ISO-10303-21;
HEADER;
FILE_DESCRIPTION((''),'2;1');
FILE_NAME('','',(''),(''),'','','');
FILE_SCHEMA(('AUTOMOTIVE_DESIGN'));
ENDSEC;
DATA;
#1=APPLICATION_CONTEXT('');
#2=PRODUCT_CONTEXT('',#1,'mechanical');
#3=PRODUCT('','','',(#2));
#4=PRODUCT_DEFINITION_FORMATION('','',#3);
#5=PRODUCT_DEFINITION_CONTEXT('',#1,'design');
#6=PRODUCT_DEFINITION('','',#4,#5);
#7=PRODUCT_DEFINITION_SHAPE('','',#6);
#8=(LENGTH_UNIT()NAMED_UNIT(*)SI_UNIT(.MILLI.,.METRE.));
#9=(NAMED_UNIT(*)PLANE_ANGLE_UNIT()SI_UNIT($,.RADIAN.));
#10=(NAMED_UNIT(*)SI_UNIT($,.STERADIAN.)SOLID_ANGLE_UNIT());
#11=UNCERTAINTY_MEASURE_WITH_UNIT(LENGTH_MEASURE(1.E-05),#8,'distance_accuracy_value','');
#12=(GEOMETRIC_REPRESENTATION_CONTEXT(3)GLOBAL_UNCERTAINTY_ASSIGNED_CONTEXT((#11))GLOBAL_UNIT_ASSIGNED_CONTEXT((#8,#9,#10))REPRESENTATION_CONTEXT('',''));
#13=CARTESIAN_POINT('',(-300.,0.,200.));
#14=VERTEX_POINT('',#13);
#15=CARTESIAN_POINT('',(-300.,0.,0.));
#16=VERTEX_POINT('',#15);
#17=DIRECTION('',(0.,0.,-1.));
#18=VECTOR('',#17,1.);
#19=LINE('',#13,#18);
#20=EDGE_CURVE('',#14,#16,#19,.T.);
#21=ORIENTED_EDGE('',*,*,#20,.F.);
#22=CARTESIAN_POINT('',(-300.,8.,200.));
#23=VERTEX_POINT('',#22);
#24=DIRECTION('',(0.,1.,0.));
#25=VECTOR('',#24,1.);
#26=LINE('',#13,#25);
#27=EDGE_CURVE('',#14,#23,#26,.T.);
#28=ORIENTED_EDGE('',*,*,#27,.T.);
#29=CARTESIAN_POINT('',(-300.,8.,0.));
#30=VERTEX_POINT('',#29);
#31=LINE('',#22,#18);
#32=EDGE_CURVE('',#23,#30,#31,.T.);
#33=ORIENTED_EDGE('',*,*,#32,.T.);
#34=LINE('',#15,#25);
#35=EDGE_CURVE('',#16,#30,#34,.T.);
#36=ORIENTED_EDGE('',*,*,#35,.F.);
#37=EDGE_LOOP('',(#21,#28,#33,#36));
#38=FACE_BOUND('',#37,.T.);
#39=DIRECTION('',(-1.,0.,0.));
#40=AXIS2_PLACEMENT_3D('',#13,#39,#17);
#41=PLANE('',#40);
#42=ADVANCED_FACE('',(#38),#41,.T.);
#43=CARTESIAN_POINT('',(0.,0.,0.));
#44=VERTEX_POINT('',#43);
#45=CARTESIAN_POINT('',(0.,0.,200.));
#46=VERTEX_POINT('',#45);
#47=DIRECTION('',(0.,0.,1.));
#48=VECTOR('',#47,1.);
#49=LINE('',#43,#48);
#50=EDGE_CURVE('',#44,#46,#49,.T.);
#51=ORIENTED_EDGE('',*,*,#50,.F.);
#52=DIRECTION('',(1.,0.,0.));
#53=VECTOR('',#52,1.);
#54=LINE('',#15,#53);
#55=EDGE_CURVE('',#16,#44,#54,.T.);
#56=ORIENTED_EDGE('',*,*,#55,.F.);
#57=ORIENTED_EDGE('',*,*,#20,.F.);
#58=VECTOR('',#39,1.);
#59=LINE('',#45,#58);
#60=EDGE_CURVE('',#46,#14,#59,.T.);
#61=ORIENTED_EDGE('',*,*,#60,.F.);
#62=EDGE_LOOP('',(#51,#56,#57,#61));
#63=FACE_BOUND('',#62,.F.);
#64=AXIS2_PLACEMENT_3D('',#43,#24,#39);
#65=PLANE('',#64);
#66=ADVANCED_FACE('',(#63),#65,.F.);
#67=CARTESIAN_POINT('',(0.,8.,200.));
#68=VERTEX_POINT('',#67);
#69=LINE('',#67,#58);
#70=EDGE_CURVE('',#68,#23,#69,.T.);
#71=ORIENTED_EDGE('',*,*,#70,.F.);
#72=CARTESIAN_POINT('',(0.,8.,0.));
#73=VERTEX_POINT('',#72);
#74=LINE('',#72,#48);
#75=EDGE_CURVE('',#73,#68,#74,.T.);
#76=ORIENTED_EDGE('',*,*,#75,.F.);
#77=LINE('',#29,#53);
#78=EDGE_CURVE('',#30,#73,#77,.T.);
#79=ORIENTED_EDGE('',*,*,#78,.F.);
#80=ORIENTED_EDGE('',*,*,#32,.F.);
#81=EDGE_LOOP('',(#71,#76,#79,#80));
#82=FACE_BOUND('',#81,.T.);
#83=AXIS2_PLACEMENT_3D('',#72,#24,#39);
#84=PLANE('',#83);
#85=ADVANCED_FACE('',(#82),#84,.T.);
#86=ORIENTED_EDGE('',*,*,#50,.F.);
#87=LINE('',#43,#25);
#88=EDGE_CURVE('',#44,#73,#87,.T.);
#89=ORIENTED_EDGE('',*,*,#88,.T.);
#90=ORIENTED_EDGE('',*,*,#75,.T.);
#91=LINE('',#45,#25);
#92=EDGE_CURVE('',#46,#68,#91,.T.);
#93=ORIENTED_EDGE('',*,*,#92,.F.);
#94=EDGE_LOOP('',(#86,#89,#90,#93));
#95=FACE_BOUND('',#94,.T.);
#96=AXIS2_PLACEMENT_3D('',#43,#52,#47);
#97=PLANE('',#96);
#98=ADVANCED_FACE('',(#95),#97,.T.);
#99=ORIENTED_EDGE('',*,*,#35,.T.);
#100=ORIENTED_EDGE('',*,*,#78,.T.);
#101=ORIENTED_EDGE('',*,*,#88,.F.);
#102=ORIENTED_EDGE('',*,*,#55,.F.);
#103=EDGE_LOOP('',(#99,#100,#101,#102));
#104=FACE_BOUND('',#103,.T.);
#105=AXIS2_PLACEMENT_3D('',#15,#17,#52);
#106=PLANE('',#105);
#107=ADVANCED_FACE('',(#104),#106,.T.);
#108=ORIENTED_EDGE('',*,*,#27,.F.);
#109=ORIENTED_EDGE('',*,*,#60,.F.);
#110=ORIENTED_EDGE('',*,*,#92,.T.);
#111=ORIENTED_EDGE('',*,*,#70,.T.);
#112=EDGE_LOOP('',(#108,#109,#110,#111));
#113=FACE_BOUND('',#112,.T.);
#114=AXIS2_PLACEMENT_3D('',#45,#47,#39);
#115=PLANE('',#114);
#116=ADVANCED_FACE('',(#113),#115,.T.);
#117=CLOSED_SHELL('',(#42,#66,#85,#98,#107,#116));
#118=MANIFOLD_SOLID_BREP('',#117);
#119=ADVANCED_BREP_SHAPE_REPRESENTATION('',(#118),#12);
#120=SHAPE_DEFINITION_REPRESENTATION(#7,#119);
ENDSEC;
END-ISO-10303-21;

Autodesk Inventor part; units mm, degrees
ref_plane "YZ Plane" through (0, 0, 0) normal (1, 0, 0) x (0, 1, 0)
ref_plane "XZ Plane" through (0, 0, 0) normal (0, 1, 0) x (-1, 0, 0)
ref_plane "XY Plane" through (0, 0, 0) normal (0, 0, 1) x (1, 0, 0)
sketch "Sketch4" plane through (0, 0, 0) normal (0, 1, 0) x (-1, 0, 0)
  line L0 (0, 0) -> (0, 200)
  line L1 (0, 200) -> (300, 200)
  line L2 (300, 200) -> (300, 0)
  line L3 (300, 0) -> (0, 0)
  dimension "d12" = 200
  dimension "d13" = 300
extrude "Extrusion4" add sketch "Sketch4" along normal blind 8
equation "\"PointX0\" = 0"
equation "\"PointY0\" = 0"
equation "\"PointZ0\" = 0"
equation "\"PointX1\" = 0"
equation "\"PointZ1\" = 0"
equation "\"PointZ2\" = 0"
equation "\"PointY3\" = 0"
equation "\"PointZ3\" = 0"
equation "\"length\" = 8"
equation "\"PointX0_1\" = 0"
equation "\"PointY0_1\" = 0"
equation "\"PointZ0_1\" = 0"
equation "\"PointX1_1\" = 0"
equation "\"PointZ1_1\" = 0"
equation "\"PointZ2_1\" = 0"
equation "\"PointY3_1\" = 0"
equation "\"PointZ3_1\" = 0"
equation "\"length_1\" = 8"
equation "\"PointX0_1_2\" = 0"
equation "\"PointY0_1_2\" = 0"
equation "\"PointZ0_1_2\" = 0"
equation "\"PointX1_1_2\" = 0"
equation "\"PointZ1_1_2\" = 0"
equation "\"PointZ2_1_2\" = 0"
equation "\"PointY3_1_2\" = 0"
equation "\"PointZ3_1_2\" = 0"
equation "\"length_1_2\" = 8"
equation "\"PointX0_1_2_3\" = 0"
equation "\"PointY0_1_2_3\" = 0"
equation "\"PointZ0_1_2_3\" = 0"
equation "\"PointX1_1_2_3\" = 0"
equation "\"PointZ1_1_2_3\" = 0"
equation "\"PointZ2_1_2_3\" = 0"
equation "\"PointY3_1_2_3\" = 0"
equation "\"PointZ3_1_2_3\" = 0"
equation "\"length_1_2_3\" = 8"
properties part number "Generic8inFloor0" material "-=Choose Material=-"
